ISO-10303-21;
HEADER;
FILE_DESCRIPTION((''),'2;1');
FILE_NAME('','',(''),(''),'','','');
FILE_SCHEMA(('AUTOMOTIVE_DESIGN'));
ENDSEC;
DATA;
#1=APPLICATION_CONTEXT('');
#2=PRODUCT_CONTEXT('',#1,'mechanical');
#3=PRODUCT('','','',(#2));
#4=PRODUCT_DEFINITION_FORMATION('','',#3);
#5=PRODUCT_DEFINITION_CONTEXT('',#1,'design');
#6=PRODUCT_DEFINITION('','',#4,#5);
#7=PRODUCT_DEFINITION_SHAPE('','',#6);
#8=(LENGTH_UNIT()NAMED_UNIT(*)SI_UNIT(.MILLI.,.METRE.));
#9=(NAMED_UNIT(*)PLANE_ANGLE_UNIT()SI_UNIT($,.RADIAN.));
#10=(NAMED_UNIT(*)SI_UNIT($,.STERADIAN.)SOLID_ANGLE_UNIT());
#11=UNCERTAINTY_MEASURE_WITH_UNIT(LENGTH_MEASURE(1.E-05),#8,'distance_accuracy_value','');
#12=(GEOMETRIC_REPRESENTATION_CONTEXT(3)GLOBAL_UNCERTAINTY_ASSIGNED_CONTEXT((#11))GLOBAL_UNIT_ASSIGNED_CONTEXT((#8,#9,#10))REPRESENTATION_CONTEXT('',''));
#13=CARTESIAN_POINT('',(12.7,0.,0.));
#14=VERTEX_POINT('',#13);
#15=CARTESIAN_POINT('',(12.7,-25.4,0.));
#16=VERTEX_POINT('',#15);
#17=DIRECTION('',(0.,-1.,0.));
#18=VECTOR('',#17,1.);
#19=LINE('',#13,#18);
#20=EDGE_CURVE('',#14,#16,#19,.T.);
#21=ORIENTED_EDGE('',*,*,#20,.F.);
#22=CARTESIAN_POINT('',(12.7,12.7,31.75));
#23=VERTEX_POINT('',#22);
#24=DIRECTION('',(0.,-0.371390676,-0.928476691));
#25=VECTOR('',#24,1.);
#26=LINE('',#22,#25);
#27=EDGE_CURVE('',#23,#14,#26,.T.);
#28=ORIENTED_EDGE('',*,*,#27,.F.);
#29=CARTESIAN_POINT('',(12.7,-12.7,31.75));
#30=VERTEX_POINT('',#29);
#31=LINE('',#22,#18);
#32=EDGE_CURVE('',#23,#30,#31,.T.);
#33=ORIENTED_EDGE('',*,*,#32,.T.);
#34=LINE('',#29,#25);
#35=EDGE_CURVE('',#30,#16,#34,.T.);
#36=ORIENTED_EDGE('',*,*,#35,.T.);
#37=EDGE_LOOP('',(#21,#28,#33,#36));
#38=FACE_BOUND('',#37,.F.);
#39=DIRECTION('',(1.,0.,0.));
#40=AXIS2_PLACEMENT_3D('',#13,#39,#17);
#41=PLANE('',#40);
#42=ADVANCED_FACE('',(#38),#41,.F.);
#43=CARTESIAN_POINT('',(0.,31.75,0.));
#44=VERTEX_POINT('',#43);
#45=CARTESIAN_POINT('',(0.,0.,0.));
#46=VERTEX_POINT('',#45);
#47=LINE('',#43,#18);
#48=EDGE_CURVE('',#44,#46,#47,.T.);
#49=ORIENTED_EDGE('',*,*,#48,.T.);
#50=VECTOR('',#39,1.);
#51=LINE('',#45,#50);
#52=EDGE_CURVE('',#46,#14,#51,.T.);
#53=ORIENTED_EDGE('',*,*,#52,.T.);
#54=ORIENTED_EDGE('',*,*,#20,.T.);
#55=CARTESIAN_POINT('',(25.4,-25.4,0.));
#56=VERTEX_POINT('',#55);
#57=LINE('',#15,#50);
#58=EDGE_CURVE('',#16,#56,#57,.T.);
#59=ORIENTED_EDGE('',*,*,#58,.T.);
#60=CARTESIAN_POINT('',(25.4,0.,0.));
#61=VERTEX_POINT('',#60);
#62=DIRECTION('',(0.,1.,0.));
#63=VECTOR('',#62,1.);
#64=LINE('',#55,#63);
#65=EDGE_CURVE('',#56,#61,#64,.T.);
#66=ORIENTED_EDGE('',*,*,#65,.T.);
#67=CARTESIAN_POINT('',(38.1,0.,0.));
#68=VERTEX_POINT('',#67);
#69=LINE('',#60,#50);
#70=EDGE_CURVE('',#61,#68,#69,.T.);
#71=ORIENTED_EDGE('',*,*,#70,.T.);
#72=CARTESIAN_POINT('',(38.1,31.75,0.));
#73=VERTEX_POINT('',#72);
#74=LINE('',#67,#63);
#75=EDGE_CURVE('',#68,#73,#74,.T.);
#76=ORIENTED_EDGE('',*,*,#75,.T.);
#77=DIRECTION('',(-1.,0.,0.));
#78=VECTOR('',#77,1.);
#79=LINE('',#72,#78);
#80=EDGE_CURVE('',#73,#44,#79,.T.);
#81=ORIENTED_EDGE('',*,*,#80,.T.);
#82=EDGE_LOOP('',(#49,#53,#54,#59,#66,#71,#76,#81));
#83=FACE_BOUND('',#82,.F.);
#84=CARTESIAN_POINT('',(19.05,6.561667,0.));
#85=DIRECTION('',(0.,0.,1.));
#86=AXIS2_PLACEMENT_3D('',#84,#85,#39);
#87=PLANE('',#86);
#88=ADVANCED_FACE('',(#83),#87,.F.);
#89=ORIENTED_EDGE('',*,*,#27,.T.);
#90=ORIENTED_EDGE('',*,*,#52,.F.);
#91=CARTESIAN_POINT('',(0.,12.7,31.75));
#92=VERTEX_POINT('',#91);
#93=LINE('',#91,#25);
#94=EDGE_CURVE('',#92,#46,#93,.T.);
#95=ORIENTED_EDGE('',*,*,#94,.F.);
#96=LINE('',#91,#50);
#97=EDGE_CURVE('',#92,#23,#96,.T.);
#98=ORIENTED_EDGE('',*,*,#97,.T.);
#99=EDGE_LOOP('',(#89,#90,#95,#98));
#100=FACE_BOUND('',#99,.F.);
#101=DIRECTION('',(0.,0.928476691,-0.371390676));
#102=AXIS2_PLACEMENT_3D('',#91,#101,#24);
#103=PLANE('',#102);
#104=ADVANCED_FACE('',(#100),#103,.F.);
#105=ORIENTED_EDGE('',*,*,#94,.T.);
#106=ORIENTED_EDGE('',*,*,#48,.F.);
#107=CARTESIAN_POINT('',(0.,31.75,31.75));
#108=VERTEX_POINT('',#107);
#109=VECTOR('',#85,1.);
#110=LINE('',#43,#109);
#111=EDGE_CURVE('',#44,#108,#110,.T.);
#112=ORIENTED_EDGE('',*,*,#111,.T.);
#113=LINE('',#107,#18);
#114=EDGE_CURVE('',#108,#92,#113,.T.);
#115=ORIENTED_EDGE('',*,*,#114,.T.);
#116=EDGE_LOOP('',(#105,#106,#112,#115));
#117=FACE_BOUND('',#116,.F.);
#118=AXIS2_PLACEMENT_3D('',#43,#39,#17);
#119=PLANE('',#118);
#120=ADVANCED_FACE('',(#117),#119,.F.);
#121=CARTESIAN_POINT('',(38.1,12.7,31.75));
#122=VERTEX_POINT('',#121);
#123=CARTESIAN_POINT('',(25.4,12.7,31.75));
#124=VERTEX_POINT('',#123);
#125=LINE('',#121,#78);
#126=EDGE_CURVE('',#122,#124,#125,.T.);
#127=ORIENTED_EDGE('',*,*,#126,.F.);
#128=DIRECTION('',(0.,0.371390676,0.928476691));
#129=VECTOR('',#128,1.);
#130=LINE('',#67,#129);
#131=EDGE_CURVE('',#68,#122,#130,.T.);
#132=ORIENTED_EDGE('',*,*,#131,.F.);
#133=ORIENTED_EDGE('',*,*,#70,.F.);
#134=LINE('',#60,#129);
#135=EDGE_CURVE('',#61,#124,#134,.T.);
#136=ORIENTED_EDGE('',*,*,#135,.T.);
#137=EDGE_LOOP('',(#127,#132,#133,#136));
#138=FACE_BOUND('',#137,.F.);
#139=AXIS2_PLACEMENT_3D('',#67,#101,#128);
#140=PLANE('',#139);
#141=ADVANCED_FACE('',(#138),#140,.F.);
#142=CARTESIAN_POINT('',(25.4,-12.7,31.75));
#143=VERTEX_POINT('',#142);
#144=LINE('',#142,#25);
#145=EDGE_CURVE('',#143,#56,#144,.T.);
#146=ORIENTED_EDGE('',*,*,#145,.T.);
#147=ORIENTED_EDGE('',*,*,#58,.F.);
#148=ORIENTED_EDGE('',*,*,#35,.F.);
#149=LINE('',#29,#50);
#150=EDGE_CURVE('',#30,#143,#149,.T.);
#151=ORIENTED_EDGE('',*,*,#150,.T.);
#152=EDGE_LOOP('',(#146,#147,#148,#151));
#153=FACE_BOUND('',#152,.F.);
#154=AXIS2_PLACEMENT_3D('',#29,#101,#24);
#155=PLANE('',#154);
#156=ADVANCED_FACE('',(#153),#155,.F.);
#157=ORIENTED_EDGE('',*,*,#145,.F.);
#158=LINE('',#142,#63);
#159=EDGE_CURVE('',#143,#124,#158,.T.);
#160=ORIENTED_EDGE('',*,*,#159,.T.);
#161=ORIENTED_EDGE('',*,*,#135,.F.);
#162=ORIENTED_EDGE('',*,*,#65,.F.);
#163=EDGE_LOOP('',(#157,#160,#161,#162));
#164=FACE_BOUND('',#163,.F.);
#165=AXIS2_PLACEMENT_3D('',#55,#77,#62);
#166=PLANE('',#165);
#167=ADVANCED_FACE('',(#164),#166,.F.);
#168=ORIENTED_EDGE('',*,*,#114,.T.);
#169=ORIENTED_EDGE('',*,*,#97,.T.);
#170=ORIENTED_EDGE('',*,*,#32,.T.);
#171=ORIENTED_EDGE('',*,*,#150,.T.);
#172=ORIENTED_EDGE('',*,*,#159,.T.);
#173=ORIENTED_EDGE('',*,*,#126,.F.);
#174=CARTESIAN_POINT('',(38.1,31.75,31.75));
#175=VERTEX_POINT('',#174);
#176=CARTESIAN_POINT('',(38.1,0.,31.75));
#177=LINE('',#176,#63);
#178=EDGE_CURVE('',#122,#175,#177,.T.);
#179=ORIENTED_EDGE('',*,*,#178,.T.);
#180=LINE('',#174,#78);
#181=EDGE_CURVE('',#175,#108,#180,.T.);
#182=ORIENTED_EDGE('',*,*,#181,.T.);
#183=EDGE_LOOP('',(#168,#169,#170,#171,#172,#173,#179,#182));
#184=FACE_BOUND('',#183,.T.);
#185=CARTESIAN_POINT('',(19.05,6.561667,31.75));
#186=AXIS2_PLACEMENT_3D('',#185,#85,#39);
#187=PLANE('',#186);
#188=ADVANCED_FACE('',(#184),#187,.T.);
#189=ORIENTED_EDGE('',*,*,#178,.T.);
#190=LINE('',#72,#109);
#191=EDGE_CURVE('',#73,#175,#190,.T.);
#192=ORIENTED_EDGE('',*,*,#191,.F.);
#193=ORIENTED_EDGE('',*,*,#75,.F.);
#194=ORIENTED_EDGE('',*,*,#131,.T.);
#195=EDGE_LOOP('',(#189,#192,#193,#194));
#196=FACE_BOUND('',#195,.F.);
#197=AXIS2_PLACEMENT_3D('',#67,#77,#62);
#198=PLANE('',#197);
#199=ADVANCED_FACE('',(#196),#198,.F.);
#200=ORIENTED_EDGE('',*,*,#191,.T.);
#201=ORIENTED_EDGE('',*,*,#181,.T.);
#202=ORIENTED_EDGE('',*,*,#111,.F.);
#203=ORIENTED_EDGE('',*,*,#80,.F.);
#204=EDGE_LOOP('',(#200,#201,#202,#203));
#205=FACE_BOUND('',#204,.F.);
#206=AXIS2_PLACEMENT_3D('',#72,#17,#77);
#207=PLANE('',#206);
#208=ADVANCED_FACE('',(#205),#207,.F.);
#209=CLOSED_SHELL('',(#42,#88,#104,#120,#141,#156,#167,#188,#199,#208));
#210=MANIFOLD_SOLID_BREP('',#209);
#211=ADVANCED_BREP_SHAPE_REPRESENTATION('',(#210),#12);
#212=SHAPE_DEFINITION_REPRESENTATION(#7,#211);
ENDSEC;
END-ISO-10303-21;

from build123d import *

# Parameters (mm, degrees)
F1_DEPTH = 31.75
F3_DEPTH = 12.7
F5_DEPTH = 12.7
F7_DEPTH = 12.7


with BuildPart() as f1:
    # F0 (on Top) → F1 (new body)
    with BuildSketch(Plane.XY):
        Polygon((0, 31.75), (0, 0), (12.7, 0), (12.7, -25.4), (25.4, -25.4), (25.4, 0), (38.1, 0), (38.1, 31.75), align=None)
    extrude(amount=F1_DEPTH)

    # F2 (on face) → F3 (cut)
    with BuildSketch(Plane(origin=(12.7, 0, 0), x_dir=(0, -1, 0), z_dir=(-1, 0, 0))):
        Polygon((25.4, 31.75), (12.7, 31.75), (25.4, 0), align=None)
    extrude(amount=-F3_DEPTH, mode=Mode.SUBTRACT)

    # F4 (on face) → F5 (cut)
    with BuildSketch(Plane(origin=(0, 0, 0), x_dir=(0, -1, 0), z_dir=(-1, 0, 0))):
        Polygon((0, 31.75), (-12.7, 31.75), (0, 0), align=None)
    extrude(amount=-F5_DEPTH, mode=Mode.SUBTRACT)

    # F6 (on face) → F7 (cut)
    with BuildSketch(Plane.YZ.offset(38.1)):
        Polygon((0, 31.75), (0, 0), (12.7, 31.75), align=None)
    extrude(amount=-F7_DEPTH, mode=Mode.SUBTRACT)


solid = f1.part
